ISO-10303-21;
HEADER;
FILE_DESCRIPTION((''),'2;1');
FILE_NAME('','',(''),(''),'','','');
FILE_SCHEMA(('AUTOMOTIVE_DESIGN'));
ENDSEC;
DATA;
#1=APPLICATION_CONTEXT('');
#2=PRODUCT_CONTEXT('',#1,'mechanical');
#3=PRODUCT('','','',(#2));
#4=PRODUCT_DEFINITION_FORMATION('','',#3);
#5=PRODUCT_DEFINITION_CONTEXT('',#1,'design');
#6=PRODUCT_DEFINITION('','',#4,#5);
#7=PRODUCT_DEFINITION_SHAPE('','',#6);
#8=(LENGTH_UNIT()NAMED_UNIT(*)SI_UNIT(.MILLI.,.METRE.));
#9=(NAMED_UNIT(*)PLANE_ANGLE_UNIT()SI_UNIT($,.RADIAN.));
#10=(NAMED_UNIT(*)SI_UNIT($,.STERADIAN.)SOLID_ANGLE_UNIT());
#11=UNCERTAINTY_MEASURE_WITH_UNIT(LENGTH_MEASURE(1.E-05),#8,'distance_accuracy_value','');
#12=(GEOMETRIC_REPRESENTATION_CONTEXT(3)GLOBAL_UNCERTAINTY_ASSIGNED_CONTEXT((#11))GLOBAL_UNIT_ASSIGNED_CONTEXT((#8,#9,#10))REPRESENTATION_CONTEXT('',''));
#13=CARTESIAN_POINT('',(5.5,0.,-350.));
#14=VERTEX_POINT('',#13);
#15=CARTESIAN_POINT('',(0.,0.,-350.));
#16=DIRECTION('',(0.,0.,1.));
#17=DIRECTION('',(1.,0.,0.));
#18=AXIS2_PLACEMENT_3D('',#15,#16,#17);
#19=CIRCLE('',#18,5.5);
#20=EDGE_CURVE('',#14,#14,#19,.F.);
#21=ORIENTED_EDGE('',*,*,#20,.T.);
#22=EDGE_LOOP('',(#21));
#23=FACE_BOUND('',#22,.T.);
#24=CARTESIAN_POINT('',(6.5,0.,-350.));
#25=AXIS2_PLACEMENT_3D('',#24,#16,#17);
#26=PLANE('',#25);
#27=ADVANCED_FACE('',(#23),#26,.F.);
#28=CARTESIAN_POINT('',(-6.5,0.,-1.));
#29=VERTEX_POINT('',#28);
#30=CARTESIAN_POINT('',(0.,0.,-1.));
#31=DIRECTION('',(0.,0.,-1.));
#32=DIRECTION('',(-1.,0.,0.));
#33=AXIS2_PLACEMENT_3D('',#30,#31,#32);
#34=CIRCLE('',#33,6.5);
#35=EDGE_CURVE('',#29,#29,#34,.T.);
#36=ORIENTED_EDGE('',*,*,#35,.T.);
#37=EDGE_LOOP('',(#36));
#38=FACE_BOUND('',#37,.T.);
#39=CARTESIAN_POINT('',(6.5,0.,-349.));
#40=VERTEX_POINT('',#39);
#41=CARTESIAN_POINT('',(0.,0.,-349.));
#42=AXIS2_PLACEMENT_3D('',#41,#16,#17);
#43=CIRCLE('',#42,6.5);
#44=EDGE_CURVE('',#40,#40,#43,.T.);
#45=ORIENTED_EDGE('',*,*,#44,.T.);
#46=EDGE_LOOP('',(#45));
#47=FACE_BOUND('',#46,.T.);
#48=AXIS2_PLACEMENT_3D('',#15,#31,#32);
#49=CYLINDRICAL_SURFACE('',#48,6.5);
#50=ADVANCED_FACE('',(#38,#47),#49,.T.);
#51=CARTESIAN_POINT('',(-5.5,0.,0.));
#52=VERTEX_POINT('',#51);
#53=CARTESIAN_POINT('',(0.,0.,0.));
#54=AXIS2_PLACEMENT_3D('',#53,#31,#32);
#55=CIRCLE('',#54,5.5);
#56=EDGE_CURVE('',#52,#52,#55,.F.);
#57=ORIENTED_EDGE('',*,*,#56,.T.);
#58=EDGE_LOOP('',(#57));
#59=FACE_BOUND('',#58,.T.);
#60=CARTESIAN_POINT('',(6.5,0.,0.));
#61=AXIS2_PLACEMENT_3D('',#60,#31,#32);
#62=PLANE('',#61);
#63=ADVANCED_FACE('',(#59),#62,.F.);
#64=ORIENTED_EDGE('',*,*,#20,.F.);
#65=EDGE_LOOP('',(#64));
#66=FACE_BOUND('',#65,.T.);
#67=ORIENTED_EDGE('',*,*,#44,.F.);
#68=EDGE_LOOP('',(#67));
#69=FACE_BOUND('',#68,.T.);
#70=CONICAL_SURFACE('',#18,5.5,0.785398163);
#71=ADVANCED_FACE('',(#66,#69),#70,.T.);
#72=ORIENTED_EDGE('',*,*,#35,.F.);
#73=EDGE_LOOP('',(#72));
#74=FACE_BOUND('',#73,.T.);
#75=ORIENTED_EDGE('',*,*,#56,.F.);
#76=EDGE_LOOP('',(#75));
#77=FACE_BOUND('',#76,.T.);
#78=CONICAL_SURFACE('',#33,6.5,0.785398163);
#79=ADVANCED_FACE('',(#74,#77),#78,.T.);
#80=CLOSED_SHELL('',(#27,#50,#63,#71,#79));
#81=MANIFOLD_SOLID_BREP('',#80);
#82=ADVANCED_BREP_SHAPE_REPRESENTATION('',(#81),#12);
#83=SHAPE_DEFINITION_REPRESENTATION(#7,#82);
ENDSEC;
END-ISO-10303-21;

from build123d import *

# Parameters (mm, degrees)
SKETCH1_W     = 6.5
SKETCH1_H     = 350
CHAMFER1_SIZE = 1


with BuildPart() as part:
    # Sketch1 → Revolve1 (revolve)
    with BuildSketch(Plane(origin=(0, 0, 0), x_dir=(1, 0, 0), z_dir=(0, 1, 0))):
        with Locations((3.25, 175)):
            Rectangle(SKETCH1_W, SKETCH1_H)
    revolve(axis=Axis((0, 0, -350), (0, 0, 1)))

    # Chamfer1
    chamfer1_edges = [part.edges().sort_by_distance(p)[0] for p in [
        (-6.5, 0, 0),
        (-6.5, 0, -350),
    ]]
    chamfer(chamfer1_edges, length=CHAMFER1_SIZE)


solid = part.part
